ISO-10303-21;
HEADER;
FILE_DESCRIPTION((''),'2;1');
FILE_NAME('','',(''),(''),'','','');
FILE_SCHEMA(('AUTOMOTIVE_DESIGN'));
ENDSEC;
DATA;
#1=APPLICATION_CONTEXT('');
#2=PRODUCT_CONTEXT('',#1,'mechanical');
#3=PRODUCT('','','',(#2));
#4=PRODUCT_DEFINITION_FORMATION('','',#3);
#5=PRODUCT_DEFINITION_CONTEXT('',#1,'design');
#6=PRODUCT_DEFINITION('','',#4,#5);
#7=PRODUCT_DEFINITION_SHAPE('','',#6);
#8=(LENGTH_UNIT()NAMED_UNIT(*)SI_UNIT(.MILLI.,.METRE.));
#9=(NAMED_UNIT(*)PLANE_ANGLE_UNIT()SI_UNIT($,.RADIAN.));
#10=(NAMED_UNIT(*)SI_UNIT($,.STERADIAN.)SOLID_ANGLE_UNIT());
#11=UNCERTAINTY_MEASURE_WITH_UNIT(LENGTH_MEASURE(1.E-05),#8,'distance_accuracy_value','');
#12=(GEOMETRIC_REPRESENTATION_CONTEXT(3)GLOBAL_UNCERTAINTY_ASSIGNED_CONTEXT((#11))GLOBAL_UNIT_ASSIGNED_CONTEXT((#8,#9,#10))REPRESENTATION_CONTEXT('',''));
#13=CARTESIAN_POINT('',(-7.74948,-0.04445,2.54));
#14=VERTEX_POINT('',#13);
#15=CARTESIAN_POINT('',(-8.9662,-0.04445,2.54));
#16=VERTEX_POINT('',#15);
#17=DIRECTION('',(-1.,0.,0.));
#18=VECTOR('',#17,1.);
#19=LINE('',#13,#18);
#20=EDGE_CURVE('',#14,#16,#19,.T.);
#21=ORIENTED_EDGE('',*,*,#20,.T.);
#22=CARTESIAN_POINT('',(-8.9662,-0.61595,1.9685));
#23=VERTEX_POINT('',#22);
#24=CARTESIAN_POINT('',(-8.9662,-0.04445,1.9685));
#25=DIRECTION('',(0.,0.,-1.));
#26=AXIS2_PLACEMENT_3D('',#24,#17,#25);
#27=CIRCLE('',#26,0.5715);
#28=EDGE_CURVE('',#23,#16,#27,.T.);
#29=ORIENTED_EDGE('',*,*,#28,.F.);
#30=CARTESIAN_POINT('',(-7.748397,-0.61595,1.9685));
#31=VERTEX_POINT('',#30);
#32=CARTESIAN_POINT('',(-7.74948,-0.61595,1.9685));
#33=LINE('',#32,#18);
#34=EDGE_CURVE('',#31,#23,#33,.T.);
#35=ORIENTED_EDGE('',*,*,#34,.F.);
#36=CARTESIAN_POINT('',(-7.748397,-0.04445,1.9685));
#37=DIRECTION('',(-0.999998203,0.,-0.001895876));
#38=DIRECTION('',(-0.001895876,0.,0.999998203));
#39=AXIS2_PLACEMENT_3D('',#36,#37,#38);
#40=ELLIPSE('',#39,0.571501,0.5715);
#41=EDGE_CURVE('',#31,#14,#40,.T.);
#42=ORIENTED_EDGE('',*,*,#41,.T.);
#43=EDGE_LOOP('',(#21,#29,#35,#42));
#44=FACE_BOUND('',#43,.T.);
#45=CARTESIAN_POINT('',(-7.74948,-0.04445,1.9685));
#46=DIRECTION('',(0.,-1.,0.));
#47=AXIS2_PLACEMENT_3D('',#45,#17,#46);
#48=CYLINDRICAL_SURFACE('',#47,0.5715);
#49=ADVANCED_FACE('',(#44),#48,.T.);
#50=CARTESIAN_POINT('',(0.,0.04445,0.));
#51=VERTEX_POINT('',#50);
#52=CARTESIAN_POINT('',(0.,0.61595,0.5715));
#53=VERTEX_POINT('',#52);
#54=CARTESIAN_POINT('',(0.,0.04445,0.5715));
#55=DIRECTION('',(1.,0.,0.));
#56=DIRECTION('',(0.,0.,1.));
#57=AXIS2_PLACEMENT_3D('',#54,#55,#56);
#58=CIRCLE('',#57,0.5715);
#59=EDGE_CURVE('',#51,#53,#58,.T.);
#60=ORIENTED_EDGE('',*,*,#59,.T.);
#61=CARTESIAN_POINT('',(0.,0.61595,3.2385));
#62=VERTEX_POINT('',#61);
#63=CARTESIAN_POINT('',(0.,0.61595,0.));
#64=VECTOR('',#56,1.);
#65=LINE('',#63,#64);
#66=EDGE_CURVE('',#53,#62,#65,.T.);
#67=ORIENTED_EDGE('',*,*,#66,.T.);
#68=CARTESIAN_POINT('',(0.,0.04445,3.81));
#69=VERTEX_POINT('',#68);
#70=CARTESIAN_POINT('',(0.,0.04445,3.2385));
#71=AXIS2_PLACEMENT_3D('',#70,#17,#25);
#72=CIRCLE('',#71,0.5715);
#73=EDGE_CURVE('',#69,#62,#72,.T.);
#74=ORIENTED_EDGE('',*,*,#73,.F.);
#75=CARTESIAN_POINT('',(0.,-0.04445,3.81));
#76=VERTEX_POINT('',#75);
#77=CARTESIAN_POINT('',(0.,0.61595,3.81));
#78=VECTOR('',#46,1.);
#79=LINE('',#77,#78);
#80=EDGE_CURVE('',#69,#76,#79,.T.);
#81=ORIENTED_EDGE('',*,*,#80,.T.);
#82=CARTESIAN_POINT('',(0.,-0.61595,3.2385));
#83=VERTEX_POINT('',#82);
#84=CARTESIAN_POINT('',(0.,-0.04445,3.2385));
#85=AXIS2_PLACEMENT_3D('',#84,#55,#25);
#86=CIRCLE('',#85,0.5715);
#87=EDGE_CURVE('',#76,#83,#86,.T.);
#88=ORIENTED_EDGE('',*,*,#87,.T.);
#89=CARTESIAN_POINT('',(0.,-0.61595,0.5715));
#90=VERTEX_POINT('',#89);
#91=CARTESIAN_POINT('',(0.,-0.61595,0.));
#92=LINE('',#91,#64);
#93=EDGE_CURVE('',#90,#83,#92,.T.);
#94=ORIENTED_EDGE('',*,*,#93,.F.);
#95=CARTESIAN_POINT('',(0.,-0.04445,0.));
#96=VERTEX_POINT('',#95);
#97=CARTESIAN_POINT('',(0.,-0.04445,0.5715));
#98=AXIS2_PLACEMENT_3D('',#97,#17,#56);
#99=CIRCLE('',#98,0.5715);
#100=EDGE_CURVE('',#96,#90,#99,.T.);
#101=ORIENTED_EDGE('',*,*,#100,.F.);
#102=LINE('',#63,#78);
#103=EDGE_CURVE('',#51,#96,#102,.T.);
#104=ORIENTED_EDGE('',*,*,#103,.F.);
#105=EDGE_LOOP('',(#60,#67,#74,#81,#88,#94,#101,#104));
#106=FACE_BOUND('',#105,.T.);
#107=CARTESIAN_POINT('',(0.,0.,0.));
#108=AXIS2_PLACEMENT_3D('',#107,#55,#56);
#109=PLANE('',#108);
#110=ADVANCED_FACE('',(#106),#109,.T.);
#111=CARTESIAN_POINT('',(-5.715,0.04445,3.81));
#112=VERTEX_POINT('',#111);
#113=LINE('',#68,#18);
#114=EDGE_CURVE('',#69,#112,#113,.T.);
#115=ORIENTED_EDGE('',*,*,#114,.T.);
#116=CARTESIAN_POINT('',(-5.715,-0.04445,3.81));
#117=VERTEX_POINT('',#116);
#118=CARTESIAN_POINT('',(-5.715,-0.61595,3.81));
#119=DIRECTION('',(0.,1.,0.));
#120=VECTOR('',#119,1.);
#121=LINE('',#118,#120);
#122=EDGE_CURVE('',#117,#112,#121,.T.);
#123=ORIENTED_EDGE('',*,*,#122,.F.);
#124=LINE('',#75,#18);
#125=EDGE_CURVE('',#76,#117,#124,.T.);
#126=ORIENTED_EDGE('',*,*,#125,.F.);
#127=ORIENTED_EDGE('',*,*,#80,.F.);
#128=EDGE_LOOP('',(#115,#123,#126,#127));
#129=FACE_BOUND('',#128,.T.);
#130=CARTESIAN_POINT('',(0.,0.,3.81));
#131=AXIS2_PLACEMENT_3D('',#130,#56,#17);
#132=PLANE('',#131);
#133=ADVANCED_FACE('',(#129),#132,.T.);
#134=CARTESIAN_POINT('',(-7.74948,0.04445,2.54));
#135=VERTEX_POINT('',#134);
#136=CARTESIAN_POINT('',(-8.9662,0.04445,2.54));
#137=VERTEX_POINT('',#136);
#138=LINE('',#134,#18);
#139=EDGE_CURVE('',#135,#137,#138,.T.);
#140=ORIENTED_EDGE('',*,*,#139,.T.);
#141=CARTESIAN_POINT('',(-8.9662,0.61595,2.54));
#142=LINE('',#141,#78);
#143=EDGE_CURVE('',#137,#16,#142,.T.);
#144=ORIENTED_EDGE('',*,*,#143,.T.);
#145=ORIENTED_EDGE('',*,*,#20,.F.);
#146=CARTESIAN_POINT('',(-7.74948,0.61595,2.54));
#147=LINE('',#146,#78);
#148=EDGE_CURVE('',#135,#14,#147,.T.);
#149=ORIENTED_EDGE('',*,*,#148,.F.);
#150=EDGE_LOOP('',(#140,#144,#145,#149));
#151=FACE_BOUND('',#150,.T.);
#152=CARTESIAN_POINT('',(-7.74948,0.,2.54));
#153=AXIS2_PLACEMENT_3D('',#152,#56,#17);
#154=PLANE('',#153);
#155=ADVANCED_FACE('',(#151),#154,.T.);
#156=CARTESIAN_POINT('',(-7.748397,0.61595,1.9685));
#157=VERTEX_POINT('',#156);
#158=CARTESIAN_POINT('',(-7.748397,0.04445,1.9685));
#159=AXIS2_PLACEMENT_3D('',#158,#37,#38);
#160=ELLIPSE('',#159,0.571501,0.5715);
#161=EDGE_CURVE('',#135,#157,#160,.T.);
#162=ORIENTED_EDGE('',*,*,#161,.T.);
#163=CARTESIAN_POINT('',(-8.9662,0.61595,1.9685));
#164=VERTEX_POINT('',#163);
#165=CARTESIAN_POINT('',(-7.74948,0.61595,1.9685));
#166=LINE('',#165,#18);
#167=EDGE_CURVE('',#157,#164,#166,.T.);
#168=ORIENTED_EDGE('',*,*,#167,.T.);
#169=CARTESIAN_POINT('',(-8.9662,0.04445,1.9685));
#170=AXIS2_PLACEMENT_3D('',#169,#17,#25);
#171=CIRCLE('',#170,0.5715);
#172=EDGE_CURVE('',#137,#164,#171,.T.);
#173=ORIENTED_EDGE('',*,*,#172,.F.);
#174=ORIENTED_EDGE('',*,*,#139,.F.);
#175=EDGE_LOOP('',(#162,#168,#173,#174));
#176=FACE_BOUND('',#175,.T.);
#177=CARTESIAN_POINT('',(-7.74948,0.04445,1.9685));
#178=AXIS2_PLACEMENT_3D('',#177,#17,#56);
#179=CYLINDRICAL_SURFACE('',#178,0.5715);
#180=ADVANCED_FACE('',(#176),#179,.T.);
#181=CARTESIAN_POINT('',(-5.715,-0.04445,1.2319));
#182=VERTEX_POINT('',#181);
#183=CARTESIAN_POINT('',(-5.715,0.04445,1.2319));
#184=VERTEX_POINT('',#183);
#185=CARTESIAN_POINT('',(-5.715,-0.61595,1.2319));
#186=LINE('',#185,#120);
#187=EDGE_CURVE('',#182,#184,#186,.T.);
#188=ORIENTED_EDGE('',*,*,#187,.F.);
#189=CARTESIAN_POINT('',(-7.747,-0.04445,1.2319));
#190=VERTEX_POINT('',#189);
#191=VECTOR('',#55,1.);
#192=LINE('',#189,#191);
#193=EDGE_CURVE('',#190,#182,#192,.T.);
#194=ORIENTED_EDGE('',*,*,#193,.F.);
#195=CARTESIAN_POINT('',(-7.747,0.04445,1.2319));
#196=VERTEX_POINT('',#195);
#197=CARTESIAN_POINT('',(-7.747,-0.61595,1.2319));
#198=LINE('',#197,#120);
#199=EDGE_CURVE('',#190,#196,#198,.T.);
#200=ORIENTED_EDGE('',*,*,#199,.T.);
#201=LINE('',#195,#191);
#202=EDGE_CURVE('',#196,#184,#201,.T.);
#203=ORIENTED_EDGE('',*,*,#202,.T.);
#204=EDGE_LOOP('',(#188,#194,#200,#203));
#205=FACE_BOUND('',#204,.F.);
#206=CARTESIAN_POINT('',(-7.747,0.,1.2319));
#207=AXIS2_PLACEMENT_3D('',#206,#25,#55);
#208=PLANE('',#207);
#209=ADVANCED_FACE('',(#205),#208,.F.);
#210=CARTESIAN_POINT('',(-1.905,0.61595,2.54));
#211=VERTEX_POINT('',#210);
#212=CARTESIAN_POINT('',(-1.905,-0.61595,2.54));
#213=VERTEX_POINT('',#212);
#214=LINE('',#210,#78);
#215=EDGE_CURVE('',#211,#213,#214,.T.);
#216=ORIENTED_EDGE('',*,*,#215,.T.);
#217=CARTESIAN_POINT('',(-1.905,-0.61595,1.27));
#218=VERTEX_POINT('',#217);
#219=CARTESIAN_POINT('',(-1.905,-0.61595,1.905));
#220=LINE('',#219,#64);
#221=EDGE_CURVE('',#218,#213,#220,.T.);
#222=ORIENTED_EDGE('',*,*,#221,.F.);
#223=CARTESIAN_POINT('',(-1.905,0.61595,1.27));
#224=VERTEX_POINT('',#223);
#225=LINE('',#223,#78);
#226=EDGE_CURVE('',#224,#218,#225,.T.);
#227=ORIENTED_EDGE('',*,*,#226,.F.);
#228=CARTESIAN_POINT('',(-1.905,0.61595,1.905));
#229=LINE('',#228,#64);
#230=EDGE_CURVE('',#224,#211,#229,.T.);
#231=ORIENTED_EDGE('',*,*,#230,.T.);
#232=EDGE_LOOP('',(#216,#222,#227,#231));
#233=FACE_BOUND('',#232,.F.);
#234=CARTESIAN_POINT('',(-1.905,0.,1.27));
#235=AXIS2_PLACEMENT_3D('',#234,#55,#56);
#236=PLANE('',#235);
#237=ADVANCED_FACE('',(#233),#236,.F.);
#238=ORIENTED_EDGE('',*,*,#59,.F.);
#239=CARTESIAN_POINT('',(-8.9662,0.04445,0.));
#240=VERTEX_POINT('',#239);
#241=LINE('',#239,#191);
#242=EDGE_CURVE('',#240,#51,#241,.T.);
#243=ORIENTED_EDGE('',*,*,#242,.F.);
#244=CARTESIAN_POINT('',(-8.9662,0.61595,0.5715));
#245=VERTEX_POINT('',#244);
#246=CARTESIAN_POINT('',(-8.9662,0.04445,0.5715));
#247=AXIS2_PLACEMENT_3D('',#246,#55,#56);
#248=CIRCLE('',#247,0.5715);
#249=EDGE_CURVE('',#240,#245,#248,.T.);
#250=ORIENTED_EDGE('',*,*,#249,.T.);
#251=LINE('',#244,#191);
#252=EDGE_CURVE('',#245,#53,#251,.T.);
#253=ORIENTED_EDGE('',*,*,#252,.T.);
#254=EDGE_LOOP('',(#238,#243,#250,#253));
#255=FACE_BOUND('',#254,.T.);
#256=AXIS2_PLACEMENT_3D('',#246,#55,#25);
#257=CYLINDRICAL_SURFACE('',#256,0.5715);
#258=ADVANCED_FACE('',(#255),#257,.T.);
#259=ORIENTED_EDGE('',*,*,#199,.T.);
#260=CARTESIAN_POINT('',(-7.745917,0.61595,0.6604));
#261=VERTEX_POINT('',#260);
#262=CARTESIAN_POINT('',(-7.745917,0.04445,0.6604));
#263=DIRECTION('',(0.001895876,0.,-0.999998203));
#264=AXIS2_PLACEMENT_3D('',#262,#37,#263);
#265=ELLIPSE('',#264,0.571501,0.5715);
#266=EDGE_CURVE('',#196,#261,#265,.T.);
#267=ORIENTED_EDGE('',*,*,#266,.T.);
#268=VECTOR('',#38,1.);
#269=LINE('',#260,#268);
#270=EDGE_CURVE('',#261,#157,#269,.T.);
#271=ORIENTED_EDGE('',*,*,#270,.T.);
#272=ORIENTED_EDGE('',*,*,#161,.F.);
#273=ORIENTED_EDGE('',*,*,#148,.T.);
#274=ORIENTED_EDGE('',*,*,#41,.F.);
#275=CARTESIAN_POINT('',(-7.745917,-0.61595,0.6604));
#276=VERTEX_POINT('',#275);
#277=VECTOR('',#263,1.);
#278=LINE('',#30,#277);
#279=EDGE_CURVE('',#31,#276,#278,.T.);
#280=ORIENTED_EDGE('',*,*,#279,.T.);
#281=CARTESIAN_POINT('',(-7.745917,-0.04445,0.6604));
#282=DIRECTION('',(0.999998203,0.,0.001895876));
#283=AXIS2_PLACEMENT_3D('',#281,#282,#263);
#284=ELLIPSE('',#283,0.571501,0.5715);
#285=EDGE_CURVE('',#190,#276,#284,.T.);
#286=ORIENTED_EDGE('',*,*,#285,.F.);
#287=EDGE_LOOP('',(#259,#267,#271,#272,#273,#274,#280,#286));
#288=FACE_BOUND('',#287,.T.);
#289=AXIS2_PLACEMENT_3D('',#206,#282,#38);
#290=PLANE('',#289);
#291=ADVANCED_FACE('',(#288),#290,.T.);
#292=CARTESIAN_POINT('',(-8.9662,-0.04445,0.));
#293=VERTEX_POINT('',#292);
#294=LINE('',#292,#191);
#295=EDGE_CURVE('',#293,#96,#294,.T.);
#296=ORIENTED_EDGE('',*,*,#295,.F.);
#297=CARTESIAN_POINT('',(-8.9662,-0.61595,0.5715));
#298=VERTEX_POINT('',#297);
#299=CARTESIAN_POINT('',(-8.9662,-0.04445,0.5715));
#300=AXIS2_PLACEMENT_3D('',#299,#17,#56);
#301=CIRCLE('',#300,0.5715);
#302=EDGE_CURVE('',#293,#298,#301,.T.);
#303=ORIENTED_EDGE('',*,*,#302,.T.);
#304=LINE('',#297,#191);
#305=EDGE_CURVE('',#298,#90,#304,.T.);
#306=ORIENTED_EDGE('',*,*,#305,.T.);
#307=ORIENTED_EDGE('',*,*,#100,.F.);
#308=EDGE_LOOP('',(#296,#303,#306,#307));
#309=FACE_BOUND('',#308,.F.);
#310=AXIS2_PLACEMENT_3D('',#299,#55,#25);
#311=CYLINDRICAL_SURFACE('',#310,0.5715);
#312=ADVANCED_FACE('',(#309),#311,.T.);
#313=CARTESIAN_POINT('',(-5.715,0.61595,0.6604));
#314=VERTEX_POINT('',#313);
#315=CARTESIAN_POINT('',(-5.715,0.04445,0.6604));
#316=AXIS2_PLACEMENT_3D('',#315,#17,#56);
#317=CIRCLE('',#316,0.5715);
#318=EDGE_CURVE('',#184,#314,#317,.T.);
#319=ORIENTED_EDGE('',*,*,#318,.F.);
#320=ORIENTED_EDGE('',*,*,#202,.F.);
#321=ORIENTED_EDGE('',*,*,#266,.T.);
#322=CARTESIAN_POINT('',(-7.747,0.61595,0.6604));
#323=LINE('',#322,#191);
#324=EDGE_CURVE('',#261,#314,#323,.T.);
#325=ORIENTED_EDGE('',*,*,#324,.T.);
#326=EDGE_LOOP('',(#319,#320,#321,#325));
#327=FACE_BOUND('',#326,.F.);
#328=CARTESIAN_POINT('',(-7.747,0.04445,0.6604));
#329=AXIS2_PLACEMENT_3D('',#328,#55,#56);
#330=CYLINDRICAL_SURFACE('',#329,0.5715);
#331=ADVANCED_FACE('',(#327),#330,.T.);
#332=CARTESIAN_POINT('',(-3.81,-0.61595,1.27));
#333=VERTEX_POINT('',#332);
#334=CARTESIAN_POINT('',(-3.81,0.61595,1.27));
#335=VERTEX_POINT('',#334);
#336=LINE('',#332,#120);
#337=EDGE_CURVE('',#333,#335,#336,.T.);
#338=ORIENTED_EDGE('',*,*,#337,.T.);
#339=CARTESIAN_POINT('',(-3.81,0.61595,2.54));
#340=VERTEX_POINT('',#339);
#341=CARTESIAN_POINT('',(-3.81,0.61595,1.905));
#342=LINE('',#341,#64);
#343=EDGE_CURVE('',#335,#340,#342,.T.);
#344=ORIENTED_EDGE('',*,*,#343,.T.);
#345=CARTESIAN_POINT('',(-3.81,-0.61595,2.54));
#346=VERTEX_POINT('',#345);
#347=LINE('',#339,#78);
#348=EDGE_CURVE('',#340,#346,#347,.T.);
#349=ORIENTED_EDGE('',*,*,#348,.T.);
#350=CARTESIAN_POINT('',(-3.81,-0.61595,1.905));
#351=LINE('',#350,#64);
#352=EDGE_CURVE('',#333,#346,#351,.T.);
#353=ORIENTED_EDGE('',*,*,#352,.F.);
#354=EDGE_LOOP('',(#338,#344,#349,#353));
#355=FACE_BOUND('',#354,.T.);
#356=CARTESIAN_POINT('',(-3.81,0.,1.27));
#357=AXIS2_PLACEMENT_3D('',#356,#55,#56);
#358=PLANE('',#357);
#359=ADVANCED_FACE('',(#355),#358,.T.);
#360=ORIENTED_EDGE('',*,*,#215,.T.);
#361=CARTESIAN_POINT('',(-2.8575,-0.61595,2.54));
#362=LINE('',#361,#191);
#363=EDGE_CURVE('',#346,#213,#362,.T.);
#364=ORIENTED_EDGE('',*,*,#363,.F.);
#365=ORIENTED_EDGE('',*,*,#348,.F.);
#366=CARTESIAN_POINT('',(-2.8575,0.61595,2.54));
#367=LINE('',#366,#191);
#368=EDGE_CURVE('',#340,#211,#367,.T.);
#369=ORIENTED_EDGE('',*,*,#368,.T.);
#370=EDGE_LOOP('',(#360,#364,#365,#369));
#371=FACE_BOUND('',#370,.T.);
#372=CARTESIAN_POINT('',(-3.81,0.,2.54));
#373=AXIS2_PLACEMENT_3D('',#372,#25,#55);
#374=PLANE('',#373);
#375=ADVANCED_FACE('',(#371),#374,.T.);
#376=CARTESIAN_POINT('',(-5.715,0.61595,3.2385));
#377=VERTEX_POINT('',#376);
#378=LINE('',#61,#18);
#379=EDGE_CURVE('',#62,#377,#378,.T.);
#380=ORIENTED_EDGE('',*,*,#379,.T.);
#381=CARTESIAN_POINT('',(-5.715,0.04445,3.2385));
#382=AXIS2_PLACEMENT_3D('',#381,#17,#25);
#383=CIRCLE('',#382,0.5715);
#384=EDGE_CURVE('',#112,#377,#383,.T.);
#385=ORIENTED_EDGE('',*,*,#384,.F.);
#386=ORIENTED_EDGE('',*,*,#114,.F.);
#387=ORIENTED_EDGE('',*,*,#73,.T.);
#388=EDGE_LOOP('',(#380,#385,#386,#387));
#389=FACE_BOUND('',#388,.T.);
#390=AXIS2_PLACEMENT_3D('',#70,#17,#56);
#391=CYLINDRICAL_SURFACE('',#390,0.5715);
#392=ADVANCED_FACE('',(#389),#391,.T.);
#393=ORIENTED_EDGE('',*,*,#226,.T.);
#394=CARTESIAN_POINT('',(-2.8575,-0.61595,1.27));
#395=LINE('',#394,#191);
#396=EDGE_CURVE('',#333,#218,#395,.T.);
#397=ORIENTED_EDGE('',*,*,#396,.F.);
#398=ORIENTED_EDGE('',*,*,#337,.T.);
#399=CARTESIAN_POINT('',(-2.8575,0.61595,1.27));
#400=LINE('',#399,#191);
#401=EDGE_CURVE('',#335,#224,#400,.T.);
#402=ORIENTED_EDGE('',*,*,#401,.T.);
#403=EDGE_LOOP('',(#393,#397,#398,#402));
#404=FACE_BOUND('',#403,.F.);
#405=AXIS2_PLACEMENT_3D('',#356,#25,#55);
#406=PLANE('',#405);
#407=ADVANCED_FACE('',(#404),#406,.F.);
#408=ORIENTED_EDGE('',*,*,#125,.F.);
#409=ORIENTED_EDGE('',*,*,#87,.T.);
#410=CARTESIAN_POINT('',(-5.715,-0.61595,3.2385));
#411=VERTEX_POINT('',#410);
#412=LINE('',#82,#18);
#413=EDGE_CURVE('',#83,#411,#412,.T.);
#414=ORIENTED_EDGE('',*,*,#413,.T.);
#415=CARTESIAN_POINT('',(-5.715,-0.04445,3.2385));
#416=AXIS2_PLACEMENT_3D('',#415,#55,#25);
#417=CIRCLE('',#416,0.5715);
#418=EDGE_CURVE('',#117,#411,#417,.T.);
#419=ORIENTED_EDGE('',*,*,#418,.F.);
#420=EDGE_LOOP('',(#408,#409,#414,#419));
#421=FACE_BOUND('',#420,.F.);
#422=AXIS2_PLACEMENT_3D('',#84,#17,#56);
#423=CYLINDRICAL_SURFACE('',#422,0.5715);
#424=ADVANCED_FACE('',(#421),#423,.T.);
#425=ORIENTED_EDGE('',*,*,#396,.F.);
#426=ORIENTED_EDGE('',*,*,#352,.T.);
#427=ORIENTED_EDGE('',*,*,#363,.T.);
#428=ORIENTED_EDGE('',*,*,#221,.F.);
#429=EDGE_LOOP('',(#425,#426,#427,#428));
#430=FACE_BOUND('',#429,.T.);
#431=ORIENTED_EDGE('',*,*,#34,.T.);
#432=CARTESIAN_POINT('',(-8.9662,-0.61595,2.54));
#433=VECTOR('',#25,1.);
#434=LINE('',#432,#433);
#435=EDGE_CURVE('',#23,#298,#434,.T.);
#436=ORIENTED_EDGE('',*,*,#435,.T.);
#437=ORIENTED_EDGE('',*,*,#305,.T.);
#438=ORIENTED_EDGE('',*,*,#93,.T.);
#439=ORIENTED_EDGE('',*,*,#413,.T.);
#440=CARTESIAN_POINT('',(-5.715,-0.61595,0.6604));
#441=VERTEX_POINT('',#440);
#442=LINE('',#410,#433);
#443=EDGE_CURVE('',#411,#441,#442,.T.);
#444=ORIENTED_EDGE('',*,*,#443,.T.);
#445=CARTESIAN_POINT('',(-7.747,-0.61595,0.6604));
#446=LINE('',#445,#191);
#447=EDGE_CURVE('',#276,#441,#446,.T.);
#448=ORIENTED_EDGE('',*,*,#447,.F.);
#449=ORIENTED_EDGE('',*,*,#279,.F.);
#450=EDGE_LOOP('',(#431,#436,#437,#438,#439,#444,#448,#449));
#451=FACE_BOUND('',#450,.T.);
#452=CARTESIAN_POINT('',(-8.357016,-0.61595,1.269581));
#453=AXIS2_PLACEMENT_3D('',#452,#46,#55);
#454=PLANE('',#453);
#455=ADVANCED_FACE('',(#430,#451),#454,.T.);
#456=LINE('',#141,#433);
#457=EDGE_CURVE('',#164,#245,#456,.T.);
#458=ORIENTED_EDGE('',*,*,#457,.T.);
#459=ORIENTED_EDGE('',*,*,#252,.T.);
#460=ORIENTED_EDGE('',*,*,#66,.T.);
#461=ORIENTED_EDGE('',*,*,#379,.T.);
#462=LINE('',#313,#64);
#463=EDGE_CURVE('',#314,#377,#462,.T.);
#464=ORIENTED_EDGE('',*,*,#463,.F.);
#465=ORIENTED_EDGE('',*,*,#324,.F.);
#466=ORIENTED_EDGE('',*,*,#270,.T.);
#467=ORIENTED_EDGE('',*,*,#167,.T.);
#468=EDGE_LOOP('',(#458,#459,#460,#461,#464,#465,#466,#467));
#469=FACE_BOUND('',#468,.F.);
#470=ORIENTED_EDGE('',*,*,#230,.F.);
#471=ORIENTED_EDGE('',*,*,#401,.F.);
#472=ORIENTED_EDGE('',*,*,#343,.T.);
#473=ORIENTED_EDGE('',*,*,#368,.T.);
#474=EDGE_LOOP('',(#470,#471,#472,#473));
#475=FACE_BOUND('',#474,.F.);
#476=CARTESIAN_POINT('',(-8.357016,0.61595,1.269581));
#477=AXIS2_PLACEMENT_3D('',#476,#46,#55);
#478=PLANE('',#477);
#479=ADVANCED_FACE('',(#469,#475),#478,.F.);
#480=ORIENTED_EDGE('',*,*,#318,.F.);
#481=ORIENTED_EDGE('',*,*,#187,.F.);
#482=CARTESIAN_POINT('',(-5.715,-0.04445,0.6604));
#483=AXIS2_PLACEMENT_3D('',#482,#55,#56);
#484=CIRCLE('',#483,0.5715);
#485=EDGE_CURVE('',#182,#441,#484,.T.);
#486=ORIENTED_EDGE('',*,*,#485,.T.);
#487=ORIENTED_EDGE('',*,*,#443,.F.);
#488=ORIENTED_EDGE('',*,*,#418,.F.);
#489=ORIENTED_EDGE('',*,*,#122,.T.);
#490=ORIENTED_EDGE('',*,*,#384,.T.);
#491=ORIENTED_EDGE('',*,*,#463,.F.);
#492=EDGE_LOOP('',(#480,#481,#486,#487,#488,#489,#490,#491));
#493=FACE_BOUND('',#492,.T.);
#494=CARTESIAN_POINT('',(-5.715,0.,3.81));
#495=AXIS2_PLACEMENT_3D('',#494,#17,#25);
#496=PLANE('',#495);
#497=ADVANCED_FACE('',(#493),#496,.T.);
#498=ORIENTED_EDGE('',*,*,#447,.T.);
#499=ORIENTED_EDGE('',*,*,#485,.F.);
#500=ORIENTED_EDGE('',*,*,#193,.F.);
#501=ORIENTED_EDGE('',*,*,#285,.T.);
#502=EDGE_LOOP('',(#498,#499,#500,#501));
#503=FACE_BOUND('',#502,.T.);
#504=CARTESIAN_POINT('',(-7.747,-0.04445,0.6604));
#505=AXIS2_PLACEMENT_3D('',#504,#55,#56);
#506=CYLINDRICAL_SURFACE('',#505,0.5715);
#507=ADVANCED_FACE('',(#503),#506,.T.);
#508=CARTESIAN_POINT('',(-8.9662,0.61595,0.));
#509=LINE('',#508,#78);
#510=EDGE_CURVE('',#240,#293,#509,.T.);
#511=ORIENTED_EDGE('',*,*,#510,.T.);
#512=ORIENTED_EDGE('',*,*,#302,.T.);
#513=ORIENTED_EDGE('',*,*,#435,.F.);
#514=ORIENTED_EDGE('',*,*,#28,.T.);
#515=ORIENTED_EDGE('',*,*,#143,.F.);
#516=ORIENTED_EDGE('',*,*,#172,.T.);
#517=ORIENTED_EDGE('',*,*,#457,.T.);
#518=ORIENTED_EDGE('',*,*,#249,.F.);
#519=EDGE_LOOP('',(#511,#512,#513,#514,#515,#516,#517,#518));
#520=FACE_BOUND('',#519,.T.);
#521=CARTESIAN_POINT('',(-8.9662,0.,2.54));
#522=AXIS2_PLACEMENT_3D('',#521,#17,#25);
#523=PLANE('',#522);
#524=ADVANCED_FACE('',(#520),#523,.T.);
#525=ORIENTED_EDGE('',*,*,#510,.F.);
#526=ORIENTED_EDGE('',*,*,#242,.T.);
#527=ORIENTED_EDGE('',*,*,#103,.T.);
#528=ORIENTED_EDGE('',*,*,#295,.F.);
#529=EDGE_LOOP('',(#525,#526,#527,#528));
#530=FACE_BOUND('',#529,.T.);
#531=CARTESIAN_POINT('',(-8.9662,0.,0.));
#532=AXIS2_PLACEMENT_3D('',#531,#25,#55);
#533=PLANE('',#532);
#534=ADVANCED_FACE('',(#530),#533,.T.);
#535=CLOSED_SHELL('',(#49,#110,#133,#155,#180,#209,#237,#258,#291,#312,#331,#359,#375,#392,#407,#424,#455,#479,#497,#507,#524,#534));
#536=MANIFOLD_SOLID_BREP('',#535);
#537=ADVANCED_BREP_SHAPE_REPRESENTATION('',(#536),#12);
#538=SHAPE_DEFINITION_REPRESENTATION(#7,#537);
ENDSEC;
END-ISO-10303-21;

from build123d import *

# Parameters (mm, degrees)
F0_W     = 1.905
F0_H     = 1.27
F0_W_2   = 2.032
F0_H_2   = 1.2319
F1_DEPTH = 0.61595
F2_R     = 0.5715


with BuildPart() as f1:
    # F0 (on Front) → F1 (new body, symmetric)
    with BuildSketch(Plane.XZ):
        Polygon((-7.747, 0), (-7.747, 1.2319), (-7.74948, 2.54), (-8.9662, 2.54), (-8.9662, 0), align=None)
        Polygon((-5.715, 3.81), (-5.715, 1.2319), (-5.715, 0), (0, 0), (0, 3.81), align=None)
        with Locations((-2.8575, 1.905)):
            Rectangle(F0_W, F0_H, mode=Mode.SUBTRACT)
        with Locations((-6.731, 0.61595)):
            Rectangle(F0_W_2, F0_H_2)
    extrude(amount=F1_DEPTH, both=True)

    # F2
    f2_edges = [f1.edges().sort_by_distance(p)[0] for p in [
        (-6.731, 0.61595, 1.2319),
        (-6.731, -0.61595, 1.2319),
        (-4.4831, -0.61595, 0),
        (-4.4831, 0.61595, 0),
        (-8.35784, -0.61595, 2.54),
        (-8.35784, 0.61595, 2.54),
        (-2.8575, -0.61595, 3.81),
        (-2.8575, 0.61595, 3.81),
    ]]
    fillet(f2_edges, radius=F2_R)


solid = f1.part
